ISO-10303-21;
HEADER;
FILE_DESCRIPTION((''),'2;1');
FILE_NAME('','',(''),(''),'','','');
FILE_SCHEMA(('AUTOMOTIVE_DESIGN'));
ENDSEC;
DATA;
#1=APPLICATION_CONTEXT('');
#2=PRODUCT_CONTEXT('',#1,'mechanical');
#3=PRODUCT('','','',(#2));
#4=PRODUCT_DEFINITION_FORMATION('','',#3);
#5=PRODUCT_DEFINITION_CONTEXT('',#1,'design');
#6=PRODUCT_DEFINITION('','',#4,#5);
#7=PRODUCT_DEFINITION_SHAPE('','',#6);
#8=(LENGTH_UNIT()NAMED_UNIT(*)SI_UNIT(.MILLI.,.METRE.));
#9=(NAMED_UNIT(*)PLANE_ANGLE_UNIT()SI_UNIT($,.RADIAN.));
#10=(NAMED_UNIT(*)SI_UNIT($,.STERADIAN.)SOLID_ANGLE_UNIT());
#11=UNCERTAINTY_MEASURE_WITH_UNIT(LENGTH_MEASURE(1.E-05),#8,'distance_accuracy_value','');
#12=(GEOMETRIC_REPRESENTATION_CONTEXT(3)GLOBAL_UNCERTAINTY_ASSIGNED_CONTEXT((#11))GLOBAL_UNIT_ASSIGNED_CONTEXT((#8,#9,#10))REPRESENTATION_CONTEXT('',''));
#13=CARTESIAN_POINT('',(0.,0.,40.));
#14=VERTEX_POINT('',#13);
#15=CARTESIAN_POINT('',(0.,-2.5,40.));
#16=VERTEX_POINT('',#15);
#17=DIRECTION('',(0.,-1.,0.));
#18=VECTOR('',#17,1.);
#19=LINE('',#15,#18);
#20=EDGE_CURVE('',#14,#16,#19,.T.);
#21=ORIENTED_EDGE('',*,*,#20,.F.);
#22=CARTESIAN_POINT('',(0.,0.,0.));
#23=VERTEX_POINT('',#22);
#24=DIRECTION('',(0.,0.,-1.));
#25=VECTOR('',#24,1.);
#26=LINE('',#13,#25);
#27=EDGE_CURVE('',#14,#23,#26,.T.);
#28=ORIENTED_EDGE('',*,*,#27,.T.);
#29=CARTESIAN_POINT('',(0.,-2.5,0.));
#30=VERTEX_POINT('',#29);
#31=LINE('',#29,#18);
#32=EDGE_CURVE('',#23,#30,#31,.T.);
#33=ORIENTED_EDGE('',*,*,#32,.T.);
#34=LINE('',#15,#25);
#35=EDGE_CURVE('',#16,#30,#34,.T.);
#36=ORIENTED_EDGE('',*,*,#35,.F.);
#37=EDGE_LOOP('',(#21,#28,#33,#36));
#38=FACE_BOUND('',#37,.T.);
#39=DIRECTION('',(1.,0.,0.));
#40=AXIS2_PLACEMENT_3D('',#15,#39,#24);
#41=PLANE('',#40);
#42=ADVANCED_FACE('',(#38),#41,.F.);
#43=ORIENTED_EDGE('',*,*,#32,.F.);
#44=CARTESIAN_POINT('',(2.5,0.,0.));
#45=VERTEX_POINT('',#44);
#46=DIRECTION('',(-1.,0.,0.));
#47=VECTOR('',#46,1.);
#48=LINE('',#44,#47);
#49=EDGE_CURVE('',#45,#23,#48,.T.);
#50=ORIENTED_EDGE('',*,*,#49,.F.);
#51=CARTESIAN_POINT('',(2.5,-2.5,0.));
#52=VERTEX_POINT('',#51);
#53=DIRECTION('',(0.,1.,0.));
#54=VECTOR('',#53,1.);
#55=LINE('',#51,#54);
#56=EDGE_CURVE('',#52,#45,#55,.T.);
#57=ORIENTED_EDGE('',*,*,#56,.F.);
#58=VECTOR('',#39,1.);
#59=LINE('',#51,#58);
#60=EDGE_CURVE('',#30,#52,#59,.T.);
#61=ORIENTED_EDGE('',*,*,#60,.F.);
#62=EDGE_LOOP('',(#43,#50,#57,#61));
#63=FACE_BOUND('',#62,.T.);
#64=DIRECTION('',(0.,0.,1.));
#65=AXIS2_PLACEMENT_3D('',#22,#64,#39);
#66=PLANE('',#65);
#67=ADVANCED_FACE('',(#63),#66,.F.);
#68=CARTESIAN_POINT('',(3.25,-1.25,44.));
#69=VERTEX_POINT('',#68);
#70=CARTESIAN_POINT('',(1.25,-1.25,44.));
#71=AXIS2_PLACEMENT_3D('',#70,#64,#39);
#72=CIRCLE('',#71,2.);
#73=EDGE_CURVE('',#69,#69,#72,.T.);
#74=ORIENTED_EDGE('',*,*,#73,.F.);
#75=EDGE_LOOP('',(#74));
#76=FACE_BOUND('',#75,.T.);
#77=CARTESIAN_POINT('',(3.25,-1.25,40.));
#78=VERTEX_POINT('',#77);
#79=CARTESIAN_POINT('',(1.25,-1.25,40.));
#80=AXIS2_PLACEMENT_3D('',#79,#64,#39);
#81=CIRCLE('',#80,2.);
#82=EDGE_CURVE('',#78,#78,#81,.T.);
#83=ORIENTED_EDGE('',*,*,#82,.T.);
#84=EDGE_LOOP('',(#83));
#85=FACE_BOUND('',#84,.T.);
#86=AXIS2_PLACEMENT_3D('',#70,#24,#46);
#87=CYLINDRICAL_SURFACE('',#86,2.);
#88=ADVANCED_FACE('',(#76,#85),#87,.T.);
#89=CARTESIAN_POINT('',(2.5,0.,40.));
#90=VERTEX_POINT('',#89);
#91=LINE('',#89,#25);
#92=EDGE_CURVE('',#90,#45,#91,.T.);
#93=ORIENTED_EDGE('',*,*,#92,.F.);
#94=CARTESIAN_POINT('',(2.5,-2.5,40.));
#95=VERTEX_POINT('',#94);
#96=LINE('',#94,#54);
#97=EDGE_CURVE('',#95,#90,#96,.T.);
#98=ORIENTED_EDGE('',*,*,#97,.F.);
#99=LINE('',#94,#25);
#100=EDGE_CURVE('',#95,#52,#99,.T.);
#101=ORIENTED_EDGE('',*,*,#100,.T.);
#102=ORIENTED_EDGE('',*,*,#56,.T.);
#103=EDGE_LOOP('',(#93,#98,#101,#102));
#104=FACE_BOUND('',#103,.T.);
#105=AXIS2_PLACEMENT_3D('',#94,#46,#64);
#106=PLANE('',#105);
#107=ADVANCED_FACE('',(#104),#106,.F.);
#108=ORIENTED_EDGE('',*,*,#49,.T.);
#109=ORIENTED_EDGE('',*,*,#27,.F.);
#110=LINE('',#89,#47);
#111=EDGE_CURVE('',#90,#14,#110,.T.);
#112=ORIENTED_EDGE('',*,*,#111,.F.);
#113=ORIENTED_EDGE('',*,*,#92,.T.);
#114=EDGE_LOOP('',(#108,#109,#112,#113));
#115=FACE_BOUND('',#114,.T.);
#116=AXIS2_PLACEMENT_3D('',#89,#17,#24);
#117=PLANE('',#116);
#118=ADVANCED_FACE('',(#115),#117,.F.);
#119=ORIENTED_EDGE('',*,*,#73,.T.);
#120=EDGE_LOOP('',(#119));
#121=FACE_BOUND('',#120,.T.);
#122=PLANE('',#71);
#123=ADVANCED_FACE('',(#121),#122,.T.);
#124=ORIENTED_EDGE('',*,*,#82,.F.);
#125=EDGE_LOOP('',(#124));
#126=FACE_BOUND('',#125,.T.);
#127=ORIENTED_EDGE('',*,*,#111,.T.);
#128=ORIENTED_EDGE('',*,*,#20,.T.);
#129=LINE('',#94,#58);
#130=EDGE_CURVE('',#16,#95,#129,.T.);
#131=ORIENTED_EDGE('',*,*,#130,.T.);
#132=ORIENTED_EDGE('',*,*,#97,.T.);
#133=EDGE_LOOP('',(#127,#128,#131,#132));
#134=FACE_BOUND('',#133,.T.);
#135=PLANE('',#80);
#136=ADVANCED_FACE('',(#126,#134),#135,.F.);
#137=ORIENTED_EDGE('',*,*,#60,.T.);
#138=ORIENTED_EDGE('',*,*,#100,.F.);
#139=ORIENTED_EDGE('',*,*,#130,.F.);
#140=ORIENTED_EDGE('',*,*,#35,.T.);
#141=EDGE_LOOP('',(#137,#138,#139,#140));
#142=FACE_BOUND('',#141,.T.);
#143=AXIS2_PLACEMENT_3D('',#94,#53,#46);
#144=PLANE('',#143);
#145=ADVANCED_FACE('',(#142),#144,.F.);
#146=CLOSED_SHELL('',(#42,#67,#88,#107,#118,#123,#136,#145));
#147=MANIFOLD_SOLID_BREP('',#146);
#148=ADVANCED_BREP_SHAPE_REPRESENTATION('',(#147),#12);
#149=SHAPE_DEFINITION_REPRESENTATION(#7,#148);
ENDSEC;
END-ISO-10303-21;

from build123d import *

# Parameters (mm, degrees)
SKETCH2_W           = 2.5
SKETCH2_H           = 2.5
BOSS_EXTRUDE1_DEPTH = 40
SKETCH3_R           = 2
BOSS_EXTRUDE2_DEPTH = 4


with BuildPart() as part:
    # Sketch2 → Boss-Extrude1 (new body)
    with BuildSketch(Plane.XY):
        with Locations((1.25, -1.25)):
            Rectangle(SKETCH2_W, SKETCH2_H)
    extrude(amount=BOSS_EXTRUDE1_DEPTH)

    # Sketch3 → Boss-Extrude2 (add)
    with BuildSketch(Plane.XY.offset(40)):
        with Locations((1.25, -1.25)):
            Circle(SKETCH3_R)
    extrude(amount=BOSS_EXTRUDE2_DEPTH)


solid = part.part
